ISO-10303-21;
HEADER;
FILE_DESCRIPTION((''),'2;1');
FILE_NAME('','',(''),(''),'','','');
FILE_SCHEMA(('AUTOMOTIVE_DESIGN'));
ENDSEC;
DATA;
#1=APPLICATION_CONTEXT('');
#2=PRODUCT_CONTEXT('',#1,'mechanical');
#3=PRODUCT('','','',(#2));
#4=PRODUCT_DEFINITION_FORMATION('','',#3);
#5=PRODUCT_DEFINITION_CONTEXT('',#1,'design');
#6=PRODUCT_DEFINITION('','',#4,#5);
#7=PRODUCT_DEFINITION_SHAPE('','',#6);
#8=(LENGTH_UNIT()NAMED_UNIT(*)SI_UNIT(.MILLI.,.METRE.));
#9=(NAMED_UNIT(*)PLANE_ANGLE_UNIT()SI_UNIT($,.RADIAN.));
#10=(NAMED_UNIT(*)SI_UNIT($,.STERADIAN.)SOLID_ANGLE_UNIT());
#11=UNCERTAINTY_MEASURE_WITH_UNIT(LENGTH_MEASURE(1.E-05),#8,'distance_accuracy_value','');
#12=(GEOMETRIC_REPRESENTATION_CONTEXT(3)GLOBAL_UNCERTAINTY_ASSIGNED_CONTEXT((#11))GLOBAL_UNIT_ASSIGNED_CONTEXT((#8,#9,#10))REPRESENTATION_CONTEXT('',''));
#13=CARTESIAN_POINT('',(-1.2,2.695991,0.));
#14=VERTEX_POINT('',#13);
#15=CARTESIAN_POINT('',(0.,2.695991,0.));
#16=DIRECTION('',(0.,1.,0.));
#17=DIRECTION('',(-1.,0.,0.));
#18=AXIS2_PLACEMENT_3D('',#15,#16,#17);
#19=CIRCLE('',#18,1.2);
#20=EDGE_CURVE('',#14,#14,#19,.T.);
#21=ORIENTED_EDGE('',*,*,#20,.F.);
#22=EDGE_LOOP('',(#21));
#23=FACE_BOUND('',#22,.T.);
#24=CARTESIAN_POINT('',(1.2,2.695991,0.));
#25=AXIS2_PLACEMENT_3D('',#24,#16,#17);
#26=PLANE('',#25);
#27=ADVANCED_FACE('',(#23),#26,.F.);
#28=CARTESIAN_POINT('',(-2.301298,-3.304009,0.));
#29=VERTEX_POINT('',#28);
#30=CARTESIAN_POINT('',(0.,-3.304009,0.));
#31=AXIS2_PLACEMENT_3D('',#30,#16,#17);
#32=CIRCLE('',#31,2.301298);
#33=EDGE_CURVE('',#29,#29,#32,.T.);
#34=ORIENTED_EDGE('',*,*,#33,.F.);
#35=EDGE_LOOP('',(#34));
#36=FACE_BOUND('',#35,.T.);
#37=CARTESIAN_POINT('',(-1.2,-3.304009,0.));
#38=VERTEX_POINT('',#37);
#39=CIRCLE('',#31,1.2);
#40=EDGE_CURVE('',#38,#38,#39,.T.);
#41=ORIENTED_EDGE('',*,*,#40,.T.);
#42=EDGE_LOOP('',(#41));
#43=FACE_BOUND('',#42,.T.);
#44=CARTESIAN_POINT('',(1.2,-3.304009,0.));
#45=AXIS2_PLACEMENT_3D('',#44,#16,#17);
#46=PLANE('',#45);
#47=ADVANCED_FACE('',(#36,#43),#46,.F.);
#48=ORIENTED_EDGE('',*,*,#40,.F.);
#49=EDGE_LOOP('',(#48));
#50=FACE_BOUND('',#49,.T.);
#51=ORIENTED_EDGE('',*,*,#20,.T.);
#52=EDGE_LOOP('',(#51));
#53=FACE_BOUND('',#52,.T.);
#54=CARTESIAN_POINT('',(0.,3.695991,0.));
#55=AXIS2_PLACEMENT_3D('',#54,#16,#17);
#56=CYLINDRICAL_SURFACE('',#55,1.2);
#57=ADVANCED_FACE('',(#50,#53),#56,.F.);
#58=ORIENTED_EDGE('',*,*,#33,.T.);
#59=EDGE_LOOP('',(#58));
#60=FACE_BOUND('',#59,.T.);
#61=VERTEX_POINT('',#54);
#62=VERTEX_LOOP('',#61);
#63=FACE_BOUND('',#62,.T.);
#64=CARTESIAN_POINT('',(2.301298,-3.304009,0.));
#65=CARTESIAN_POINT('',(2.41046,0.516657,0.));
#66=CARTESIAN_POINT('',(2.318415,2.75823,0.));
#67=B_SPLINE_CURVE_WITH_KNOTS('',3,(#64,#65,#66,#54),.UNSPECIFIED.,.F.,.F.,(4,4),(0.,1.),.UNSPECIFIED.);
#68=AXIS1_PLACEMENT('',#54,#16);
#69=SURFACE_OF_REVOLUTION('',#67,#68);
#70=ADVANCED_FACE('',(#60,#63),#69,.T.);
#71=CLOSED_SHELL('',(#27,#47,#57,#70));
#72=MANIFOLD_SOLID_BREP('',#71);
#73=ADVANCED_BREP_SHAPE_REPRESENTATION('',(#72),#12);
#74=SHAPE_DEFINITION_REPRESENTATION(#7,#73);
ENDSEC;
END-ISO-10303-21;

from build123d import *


with BuildPart() as part:
    # Sketch1 → Revolve1 (revolve)
    with BuildSketch(Plane.XY):
        with BuildLine():
            Line((0, 3.695991235), (0, 2.695991235))
            Line((0, 2.695991235), (1.2, 2.695991235))
            Line((1.2, 2.695991235), (1.2, -3.304008765))
            Line((1.2, -3.304008765), (2.301298402, -3.304008765))
            add(Edge.make_bspline(
                [(0, 3.695991235), (2.318415108, 2.758230162), (2.410460271, 0.516656665), (2.301298402, -3.304008765)],
                knots=[0, 0, 0, 0, 1, 1, 1, 1], degree=3))
        make_face()
    revolve(axis=Axis((0, 3.695991235, 0), (0, -1, 0)))


solid = part.part
